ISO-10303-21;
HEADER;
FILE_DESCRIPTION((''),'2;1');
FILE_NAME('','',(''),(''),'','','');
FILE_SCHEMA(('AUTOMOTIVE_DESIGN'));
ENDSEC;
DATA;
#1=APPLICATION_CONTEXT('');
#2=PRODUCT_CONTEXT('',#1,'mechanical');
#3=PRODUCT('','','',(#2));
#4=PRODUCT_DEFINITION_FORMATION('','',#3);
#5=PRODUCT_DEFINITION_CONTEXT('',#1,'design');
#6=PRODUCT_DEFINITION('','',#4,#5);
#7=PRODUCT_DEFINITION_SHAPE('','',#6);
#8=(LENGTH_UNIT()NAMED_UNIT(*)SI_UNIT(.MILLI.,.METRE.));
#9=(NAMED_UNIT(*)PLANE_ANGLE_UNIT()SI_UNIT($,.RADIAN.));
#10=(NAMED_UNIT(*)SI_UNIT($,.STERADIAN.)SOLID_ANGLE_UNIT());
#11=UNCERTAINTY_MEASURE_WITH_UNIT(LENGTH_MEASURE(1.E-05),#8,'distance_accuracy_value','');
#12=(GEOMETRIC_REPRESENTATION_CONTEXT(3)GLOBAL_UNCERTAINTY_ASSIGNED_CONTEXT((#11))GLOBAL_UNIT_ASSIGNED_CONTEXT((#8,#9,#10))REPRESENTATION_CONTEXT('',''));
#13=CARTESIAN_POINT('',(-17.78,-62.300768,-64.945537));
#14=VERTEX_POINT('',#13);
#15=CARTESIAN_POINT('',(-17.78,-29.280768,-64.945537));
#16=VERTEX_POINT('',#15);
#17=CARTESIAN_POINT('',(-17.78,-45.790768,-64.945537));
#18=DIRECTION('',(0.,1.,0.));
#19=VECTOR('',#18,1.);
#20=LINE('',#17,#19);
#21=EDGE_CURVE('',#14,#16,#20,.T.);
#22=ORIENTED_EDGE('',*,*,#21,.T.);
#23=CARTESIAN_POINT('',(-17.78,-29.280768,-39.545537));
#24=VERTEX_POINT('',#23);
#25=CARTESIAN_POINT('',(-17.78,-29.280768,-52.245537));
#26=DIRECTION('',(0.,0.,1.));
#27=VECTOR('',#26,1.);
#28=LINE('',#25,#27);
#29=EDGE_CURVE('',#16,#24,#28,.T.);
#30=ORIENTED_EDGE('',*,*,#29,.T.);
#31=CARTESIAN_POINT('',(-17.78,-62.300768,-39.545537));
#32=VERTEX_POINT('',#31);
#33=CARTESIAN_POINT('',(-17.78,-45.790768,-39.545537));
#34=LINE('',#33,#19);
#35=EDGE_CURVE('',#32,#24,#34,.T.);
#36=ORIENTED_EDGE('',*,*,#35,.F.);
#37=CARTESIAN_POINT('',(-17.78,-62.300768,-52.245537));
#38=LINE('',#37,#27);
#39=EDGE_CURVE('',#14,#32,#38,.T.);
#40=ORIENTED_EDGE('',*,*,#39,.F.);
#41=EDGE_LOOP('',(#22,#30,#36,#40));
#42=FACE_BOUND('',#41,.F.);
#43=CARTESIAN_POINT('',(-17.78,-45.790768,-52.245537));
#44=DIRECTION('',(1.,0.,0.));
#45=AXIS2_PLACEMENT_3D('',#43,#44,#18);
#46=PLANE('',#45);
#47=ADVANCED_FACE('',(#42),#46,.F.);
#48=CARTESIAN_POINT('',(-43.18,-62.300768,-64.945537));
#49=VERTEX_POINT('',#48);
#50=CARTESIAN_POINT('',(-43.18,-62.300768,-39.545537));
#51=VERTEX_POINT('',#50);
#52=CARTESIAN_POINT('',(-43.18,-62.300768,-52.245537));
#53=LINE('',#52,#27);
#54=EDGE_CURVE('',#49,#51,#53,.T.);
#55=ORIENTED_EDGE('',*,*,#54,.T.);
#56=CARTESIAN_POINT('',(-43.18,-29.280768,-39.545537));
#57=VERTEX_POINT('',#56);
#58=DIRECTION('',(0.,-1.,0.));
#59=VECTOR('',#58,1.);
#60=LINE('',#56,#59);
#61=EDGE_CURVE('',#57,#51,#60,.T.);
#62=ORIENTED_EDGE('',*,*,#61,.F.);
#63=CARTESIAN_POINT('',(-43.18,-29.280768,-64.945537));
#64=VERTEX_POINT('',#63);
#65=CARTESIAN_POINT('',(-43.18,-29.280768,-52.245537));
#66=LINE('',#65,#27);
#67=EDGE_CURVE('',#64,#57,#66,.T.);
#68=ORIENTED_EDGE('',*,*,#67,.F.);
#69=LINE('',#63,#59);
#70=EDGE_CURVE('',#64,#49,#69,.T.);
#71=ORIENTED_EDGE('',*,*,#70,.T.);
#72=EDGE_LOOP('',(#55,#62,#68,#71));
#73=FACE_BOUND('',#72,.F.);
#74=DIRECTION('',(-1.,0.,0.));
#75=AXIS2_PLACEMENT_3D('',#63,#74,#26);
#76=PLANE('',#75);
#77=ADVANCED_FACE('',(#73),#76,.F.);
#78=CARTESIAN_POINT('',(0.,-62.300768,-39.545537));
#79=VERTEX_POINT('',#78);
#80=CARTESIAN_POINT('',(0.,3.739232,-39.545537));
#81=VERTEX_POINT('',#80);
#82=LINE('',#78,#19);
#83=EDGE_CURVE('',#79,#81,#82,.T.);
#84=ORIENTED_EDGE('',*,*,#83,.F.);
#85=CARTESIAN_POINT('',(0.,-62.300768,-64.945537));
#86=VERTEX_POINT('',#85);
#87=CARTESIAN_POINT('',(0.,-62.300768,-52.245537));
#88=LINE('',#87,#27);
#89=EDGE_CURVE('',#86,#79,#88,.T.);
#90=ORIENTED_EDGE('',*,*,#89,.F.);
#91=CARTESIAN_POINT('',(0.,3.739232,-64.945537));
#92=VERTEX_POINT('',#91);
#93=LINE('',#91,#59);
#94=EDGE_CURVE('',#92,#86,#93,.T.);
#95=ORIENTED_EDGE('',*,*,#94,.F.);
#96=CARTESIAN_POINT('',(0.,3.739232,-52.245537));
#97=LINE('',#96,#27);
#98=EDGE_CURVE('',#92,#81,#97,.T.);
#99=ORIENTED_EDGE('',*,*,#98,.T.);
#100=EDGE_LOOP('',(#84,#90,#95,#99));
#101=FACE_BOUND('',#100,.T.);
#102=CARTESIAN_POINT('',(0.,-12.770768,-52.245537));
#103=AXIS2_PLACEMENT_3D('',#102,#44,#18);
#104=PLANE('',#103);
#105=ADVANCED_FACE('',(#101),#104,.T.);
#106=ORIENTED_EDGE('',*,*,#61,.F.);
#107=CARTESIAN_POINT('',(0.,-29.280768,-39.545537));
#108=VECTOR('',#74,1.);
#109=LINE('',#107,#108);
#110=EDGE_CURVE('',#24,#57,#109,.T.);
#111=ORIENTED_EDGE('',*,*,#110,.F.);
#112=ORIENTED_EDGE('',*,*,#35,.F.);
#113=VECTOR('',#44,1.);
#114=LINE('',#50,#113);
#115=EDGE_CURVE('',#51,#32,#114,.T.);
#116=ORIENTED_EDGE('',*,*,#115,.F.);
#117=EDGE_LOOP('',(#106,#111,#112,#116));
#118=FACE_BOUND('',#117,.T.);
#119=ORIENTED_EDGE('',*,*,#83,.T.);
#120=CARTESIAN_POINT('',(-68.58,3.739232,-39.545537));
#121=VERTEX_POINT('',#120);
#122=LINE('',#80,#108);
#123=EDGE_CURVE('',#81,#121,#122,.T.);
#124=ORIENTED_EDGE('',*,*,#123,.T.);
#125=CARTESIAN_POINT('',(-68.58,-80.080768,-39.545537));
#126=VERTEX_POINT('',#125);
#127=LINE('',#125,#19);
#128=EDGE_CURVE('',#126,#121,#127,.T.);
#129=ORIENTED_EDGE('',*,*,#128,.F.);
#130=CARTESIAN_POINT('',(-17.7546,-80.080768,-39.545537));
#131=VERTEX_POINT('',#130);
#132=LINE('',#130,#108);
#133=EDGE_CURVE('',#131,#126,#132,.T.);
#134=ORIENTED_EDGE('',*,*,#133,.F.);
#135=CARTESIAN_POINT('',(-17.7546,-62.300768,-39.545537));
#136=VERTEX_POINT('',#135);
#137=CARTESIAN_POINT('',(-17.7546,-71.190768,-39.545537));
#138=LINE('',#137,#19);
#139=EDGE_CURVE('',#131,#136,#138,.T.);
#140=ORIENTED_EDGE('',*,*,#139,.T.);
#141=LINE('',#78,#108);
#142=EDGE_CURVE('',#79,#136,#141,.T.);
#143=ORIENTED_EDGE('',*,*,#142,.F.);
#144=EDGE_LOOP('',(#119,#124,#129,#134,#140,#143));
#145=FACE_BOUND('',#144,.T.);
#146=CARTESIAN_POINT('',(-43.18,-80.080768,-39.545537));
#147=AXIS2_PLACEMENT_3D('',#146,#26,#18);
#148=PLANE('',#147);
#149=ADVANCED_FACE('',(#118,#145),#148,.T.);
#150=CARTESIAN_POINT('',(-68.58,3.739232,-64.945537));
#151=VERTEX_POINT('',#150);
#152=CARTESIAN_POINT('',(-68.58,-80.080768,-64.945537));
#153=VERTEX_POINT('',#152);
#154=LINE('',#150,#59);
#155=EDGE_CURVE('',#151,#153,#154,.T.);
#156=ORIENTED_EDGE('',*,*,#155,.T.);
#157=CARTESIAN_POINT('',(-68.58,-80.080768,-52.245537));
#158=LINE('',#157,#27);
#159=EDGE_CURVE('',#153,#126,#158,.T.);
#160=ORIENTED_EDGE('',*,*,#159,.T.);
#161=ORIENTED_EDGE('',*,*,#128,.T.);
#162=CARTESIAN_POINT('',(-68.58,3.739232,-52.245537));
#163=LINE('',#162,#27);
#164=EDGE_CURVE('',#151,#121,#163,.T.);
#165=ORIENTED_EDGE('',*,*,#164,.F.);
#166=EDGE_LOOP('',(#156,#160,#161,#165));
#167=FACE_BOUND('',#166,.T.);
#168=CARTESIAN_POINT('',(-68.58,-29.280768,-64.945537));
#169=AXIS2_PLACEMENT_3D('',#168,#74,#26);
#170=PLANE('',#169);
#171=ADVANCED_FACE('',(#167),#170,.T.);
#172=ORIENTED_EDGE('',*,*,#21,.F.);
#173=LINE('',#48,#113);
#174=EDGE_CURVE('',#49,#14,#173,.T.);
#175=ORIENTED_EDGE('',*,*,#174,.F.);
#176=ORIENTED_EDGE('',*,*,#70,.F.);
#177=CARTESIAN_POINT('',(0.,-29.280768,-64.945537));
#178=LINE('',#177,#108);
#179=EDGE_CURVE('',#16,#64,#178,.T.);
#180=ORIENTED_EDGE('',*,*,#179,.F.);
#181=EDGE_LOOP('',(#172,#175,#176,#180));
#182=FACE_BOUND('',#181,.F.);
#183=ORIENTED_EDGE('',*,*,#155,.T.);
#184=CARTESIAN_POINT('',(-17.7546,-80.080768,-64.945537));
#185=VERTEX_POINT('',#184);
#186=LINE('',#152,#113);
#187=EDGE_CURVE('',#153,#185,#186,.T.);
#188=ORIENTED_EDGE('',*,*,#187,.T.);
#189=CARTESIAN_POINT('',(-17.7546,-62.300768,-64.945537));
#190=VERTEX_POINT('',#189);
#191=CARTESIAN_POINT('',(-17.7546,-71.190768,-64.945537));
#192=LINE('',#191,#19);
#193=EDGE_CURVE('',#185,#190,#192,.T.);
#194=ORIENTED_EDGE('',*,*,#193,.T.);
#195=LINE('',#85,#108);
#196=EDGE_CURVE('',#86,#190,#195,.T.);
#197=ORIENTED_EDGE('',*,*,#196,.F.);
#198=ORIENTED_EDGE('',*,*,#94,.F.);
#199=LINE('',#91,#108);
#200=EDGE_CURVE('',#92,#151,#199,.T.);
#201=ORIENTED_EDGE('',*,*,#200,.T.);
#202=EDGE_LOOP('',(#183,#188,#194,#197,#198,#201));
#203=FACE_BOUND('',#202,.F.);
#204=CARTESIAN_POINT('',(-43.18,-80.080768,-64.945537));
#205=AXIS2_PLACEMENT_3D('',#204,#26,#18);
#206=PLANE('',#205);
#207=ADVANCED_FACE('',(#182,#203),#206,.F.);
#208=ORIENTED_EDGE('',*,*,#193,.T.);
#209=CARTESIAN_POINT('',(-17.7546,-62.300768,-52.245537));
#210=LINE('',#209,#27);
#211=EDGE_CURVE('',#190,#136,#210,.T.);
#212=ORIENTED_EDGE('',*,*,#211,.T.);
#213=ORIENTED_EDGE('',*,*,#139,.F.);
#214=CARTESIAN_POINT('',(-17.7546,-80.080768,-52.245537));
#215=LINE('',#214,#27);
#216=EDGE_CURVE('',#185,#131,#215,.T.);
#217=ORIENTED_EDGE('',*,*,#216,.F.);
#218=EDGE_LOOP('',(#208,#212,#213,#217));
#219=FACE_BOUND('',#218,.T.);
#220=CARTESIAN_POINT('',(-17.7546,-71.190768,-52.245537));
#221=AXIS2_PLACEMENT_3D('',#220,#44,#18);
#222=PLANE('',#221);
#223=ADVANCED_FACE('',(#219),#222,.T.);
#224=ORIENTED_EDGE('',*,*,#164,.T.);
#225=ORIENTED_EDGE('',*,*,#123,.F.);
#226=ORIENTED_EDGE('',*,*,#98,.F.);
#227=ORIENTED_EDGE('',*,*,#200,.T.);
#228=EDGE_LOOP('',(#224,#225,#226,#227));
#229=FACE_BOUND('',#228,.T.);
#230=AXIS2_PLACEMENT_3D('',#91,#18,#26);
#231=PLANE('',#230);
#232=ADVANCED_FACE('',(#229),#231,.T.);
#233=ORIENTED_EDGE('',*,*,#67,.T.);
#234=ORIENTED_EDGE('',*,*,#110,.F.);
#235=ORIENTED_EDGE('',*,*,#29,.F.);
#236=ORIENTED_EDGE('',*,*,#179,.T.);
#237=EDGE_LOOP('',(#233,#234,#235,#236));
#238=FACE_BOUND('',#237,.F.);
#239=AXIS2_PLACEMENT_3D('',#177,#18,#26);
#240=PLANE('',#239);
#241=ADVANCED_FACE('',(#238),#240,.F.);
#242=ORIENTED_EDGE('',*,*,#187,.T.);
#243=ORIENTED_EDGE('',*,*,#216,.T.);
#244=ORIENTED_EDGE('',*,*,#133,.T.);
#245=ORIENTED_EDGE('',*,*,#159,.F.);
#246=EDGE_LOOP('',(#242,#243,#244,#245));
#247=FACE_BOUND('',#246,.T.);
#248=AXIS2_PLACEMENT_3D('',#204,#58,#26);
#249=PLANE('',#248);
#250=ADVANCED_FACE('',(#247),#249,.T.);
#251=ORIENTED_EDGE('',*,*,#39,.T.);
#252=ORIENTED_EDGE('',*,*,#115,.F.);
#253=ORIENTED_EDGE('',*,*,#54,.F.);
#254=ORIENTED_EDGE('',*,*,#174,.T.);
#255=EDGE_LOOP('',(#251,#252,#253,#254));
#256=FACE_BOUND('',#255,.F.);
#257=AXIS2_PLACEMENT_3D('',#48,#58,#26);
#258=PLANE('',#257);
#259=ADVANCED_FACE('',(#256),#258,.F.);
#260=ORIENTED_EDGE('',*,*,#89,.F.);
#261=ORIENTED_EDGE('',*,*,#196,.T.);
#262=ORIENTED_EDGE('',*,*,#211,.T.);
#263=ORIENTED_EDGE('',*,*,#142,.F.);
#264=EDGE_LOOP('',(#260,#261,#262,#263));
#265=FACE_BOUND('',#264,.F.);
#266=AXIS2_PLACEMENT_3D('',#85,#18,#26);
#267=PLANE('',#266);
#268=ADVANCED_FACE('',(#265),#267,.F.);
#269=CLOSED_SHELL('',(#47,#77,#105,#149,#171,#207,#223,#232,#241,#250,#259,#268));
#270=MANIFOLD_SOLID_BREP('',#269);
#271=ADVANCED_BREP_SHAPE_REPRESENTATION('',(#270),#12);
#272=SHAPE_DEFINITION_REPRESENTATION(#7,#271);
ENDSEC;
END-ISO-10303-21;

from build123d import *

# Parameters (mm, degrees)
F0_W     = 33.02
F0_H     = 25.4
F1_DEPTH = 17.78
F2_DEPTH = 68.58
F3_W     = 25.4
F3_H     = 25.4
F4_DEPTH = 50.8
F5_W     = 17.78
F5_H     = 25.4
F6_DEPTH = 25.4254


with BuildPart() as f1:
    # F0 (on Right) → F1 (new body)
    with BuildSketch(Plane.YZ):
        with Locations((-45.790768, -52.245537)):
            Rectangle(F0_W, F0_H)
    extrude(amount=-F1_DEPTH)

    # F0 (on Right) → F2 (join)
    with BuildSketch(Plane.YZ):
        with Locations((-12.770768, -52.245537)):
            Rectangle(F0_W, F0_H)
    extrude(amount=-F2_DEPTH)

    # F3 (on face) → F4 (join)
    with BuildSketch(Plane.XZ.offset(29.280768)):
        with Locations((-55.88, -52.245537)):
            Rectangle(F3_W, F3_H)
    extrude(amount=F4_DEPTH)

    # F5 (on face) → F6 (join)
    with BuildSketch(Plane.YZ.offset(-43.18)):
        with Locations((-71.190768, -52.245537)):
            Rectangle(F5_W, F5_H)
    extrude(amount=F6_DEPTH)


solid = f1.part
